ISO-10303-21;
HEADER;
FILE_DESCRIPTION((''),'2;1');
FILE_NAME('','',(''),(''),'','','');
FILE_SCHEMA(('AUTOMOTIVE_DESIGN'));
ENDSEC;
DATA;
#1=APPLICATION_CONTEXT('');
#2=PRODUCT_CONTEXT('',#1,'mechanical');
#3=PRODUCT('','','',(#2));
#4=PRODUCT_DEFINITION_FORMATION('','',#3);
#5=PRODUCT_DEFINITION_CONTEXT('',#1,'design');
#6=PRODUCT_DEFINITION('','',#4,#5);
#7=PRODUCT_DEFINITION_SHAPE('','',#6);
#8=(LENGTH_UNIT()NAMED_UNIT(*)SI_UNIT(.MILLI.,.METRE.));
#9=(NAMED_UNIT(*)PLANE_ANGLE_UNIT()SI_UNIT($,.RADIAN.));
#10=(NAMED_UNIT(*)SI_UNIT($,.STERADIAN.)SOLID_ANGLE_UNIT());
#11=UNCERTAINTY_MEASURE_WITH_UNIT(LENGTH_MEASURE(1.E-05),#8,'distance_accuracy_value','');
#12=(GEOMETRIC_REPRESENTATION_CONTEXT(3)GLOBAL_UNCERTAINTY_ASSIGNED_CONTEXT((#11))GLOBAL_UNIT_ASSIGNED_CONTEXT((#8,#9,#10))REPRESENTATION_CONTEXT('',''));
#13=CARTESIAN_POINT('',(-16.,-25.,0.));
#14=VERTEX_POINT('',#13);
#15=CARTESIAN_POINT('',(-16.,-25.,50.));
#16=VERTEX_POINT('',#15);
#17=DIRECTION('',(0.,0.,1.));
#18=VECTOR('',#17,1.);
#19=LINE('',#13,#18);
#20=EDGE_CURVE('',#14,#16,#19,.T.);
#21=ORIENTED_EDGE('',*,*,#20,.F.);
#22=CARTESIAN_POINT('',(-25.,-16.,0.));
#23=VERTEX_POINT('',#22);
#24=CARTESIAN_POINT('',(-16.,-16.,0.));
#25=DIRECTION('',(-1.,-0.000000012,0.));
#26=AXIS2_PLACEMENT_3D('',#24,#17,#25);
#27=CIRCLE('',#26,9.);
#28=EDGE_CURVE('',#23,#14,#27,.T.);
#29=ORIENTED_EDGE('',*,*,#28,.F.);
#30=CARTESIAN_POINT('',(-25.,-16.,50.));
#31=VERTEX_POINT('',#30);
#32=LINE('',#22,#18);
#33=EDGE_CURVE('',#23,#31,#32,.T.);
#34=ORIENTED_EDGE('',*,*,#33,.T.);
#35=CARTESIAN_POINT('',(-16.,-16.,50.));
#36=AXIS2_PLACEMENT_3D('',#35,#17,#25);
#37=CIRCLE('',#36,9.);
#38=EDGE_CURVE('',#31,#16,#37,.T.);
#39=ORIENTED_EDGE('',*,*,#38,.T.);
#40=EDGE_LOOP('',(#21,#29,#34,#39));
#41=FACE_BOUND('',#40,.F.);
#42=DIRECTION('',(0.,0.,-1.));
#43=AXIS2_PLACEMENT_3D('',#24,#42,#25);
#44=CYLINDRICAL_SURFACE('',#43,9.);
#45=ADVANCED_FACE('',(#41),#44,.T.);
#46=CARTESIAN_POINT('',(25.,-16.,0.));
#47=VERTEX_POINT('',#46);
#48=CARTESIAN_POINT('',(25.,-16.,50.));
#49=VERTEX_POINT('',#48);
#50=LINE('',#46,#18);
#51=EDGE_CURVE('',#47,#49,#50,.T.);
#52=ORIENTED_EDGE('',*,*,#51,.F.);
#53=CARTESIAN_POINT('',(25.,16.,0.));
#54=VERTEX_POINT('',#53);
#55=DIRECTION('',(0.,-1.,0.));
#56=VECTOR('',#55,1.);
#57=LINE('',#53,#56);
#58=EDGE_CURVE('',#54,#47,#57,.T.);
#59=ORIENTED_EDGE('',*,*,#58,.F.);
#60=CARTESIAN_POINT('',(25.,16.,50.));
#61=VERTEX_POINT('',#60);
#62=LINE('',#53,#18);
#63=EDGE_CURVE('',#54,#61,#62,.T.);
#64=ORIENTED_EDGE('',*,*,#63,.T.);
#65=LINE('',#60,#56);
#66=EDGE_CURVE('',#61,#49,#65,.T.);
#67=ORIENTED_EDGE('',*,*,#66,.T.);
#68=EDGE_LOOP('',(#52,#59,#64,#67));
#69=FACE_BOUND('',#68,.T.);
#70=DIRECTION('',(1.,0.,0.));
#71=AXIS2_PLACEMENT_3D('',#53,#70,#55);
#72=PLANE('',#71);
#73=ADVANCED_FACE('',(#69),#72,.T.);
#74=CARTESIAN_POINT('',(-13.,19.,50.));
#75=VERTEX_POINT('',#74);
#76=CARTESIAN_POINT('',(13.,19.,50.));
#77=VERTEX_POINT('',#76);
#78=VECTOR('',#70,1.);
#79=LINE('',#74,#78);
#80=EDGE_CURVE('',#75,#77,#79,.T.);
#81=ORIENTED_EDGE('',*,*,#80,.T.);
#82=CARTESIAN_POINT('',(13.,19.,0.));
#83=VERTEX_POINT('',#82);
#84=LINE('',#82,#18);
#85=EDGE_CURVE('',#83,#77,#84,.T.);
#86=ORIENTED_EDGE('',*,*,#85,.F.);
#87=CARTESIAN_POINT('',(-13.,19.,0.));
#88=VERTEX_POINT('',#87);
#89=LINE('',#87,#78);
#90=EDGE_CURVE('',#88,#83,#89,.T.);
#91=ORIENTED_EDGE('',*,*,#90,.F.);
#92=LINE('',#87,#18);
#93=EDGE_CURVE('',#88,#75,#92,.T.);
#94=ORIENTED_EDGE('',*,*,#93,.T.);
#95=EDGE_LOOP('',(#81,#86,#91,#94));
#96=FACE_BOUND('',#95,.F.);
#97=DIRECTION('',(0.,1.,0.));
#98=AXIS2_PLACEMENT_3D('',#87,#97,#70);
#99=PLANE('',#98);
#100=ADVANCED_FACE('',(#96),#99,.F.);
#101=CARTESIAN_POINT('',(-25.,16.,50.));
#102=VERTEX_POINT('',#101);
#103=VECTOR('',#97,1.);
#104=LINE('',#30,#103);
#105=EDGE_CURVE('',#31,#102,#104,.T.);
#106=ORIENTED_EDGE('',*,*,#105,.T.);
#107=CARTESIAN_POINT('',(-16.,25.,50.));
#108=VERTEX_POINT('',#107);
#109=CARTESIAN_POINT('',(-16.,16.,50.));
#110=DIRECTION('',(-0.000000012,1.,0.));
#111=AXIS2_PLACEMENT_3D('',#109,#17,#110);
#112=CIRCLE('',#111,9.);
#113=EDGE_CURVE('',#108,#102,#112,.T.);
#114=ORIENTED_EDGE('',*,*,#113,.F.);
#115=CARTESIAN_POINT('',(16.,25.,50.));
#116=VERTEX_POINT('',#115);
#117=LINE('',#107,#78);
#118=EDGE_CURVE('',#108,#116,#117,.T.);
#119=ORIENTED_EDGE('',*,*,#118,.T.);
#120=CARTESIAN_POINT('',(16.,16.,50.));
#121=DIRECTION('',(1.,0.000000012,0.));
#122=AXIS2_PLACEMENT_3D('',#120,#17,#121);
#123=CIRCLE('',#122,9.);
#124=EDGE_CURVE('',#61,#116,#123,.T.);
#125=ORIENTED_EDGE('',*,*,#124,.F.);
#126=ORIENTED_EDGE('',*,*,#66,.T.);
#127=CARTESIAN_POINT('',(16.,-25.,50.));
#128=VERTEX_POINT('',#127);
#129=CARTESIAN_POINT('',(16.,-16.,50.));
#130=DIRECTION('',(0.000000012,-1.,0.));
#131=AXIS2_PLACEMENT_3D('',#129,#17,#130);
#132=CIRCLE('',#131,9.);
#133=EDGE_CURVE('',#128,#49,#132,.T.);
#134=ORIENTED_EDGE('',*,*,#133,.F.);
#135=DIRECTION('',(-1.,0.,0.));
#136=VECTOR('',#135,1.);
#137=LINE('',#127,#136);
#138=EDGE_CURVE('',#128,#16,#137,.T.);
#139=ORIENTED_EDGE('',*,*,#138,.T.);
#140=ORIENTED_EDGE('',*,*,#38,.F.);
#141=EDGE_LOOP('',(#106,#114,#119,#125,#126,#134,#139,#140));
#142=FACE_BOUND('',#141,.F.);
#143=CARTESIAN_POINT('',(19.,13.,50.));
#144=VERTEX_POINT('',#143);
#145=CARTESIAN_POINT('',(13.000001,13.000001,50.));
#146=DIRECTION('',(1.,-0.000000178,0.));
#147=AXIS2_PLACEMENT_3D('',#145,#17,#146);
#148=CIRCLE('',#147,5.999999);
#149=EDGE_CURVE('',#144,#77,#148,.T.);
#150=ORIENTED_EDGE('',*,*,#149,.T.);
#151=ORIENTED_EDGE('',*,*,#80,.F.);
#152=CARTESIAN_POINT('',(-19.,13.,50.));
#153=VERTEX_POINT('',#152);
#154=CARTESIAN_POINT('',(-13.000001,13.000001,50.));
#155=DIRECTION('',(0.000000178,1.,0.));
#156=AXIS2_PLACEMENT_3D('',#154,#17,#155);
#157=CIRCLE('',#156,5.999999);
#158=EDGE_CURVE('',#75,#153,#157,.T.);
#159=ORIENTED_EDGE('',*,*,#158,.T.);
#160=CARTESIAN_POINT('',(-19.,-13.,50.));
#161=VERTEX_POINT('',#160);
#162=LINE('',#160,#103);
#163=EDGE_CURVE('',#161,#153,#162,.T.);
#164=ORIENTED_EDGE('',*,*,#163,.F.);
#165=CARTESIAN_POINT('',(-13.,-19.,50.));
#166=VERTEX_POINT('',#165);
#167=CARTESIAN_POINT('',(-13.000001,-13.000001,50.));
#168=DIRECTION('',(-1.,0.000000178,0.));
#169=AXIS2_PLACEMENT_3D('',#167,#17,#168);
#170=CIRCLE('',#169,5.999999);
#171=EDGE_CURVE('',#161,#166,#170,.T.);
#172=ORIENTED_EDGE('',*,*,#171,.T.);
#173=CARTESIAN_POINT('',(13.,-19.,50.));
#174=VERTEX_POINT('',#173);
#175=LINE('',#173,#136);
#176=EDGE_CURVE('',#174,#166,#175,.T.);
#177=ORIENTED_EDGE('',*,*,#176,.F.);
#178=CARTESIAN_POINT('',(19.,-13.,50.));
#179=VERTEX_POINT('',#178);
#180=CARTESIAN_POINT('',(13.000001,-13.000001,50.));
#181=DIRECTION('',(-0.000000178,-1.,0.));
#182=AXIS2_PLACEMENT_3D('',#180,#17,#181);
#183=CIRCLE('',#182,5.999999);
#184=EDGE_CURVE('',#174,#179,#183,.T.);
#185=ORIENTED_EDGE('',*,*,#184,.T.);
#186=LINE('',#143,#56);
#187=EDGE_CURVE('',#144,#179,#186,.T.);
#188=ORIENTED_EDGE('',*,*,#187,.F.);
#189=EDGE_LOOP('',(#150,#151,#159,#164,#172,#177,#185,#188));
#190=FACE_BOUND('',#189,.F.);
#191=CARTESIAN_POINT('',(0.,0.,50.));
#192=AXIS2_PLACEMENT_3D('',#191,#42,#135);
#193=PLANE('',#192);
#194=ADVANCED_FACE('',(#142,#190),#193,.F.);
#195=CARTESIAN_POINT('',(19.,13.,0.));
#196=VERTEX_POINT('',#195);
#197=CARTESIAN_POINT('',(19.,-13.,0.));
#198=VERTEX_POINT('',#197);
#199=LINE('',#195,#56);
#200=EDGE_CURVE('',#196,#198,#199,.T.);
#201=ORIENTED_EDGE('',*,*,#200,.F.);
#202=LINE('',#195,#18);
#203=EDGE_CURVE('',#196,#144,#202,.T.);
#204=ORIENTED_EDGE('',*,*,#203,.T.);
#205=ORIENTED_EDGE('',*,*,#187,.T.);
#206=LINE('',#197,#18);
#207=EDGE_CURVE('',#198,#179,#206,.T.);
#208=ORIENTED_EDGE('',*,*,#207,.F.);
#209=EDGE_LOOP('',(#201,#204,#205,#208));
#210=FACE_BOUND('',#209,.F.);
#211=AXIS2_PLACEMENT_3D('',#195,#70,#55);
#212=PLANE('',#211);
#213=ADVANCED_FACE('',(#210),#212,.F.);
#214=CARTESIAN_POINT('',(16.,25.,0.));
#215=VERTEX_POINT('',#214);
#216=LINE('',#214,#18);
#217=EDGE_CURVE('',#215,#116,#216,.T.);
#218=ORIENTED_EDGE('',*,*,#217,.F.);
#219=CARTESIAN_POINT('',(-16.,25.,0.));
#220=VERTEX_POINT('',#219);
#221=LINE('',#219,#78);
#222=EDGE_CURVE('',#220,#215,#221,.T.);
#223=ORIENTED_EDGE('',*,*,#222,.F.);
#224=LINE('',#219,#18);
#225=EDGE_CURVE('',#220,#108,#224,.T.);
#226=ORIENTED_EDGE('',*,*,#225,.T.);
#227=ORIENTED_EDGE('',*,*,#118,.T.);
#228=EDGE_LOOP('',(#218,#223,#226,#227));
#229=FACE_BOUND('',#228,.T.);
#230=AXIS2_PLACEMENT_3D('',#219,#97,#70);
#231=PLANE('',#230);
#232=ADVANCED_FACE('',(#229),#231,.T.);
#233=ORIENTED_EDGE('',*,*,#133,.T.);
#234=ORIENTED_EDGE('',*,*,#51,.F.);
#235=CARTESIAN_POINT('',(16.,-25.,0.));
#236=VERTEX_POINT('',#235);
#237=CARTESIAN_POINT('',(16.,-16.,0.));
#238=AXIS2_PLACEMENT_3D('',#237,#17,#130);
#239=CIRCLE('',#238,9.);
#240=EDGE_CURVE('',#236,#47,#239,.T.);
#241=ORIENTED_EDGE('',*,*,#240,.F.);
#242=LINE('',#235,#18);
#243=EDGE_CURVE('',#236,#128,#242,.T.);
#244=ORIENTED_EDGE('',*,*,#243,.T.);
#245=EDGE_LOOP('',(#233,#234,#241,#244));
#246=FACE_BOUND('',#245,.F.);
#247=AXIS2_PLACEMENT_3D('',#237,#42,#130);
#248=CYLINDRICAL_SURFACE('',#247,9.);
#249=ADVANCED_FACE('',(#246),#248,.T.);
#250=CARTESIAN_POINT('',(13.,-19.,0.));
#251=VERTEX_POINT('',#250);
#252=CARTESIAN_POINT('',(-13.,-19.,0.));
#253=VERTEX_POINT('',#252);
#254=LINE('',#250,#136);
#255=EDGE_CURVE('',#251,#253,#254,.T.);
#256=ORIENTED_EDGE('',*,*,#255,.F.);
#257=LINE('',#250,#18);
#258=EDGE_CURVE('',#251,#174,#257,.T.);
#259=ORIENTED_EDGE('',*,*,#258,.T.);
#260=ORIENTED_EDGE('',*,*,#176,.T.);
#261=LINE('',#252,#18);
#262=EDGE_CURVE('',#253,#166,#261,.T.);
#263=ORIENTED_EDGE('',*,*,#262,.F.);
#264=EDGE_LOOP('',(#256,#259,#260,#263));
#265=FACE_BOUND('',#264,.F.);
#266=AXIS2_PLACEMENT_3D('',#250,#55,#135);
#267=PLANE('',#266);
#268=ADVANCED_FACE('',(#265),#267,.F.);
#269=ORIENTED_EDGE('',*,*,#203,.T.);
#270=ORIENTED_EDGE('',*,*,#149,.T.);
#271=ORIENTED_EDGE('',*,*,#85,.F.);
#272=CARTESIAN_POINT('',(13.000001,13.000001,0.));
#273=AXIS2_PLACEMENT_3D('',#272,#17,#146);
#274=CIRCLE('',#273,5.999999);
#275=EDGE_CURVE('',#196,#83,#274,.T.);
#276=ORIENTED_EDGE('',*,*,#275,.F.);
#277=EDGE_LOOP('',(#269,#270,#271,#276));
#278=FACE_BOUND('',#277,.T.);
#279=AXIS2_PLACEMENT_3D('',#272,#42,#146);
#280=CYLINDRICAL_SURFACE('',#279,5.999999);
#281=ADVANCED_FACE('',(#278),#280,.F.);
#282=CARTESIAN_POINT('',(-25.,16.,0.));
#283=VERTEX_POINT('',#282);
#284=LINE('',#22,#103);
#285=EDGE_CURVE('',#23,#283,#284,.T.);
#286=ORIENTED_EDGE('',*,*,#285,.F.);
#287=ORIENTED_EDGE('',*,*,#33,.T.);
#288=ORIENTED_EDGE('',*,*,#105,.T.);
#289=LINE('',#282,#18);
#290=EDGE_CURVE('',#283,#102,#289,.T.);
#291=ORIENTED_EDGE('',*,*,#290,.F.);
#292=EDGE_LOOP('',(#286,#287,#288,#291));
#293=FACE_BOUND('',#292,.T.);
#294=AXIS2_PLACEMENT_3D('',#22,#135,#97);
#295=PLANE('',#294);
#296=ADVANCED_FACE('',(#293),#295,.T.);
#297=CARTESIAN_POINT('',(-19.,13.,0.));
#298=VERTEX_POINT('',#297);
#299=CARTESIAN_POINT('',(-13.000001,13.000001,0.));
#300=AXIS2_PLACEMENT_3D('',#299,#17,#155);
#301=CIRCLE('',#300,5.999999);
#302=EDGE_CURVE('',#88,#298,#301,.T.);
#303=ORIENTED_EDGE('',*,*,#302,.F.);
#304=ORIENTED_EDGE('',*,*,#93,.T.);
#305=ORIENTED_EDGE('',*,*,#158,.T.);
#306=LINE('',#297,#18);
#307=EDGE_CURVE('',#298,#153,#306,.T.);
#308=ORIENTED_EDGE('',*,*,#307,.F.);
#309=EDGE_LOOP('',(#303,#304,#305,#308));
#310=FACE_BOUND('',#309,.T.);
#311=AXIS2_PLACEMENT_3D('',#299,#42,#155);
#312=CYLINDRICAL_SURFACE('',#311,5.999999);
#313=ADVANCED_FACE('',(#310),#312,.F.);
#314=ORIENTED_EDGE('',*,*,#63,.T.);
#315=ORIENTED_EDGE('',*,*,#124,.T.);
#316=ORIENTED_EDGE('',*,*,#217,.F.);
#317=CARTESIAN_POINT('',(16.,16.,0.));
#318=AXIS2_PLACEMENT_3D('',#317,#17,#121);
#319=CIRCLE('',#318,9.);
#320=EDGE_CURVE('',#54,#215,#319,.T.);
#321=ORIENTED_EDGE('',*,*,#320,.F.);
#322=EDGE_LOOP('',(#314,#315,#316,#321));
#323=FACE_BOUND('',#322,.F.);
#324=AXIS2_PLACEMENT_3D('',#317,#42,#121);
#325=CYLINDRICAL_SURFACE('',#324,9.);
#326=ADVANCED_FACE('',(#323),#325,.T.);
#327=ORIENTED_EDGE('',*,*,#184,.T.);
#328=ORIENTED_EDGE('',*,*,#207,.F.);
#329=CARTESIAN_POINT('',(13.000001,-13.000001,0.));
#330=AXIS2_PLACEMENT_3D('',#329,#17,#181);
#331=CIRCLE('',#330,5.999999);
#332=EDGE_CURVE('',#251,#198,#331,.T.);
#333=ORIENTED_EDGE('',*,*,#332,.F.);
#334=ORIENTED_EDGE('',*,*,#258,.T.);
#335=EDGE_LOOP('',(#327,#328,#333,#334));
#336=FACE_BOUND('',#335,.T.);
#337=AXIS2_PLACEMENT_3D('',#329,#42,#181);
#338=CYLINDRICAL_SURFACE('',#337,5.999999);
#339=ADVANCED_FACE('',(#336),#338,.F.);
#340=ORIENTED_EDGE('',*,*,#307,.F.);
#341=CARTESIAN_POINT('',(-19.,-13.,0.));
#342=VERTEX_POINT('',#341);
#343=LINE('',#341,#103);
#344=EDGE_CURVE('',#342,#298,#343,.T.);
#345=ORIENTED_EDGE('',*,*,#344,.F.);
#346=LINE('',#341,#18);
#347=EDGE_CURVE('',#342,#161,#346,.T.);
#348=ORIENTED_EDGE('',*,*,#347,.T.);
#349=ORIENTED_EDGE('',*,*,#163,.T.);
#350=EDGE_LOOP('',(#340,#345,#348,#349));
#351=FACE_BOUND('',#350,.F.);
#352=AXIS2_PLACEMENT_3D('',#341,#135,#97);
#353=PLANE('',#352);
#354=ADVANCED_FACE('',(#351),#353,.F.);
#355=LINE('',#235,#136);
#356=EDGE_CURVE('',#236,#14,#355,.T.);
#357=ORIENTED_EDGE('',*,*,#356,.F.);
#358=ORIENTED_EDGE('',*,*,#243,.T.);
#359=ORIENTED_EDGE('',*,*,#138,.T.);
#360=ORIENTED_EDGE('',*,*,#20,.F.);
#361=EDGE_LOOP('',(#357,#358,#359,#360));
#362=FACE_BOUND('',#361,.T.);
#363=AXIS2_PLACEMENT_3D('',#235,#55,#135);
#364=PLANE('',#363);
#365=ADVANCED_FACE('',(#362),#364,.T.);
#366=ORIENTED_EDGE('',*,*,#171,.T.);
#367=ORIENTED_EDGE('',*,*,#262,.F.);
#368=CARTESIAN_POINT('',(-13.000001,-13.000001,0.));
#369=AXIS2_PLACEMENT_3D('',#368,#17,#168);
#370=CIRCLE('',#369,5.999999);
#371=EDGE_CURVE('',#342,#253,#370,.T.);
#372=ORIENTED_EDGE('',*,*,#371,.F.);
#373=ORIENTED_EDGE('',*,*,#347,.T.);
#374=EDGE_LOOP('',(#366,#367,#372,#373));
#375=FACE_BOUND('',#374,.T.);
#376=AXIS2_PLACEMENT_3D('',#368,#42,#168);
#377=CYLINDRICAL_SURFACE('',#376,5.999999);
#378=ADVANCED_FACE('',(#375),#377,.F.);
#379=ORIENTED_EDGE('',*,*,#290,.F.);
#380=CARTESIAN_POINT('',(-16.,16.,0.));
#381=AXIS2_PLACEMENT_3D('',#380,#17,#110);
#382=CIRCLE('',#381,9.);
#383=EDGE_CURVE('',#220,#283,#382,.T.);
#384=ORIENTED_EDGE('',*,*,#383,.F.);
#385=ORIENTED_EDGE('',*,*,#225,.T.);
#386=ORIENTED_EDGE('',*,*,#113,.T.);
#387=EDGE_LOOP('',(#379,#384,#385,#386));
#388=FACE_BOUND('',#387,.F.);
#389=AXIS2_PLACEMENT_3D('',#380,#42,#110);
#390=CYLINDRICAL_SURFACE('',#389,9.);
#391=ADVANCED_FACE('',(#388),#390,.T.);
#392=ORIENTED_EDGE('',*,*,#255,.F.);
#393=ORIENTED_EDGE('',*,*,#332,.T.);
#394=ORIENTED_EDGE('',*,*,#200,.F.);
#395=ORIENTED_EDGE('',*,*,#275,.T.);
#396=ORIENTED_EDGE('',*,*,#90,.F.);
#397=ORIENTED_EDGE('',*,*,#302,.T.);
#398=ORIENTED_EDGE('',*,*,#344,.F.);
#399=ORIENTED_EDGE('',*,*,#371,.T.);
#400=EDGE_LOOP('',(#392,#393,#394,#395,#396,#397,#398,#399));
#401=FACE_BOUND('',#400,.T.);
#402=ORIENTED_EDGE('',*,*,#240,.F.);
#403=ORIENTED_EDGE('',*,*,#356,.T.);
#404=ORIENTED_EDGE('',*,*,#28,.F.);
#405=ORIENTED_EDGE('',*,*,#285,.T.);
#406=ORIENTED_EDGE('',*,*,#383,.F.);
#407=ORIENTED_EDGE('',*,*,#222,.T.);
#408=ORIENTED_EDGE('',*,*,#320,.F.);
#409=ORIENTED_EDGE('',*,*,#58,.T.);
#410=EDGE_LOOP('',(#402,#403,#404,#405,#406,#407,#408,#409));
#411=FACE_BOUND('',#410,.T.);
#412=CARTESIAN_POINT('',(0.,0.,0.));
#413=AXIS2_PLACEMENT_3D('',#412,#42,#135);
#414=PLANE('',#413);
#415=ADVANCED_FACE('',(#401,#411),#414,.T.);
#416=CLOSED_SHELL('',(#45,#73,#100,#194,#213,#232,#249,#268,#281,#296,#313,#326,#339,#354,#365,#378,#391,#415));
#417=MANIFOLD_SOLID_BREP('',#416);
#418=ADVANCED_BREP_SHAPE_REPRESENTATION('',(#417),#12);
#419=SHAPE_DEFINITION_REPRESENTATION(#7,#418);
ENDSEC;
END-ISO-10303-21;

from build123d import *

# Parameters (mm, degrees)
EXTRUDE_DEPTH = 50


with BuildPart() as part:
    # Sketch → Extrude (new body)
    with BuildSketch(Plane.XY):
        with BuildLine():
            Line((-16, 25), (16, 25))
            ThreePointArc((25, 16), (22.363961, 22.363961), (16, 25))
            Line((25, 16), (25, -16))
            ThreePointArc((16, -25), (22.363961, -22.363961), (25, -16))
            Line((16, -25), (-16, -25))
            ThreePointArc((-25, -16), (-22.363961, -22.363961), (-16, -25))
            Line((-25, -16), (-25, 16))
            ThreePointArc((-16, 25), (-22.363961, 22.363961), (-25, 16))
        make_face()
        with BuildLine():
            Line((-13, 19), (13, 19))
            ThreePointArc((19, 13), (17.242641, 17.242641), (13, 19))
            Line((19, 13), (19, -13))
            ThreePointArc((13, -19), (17.242641, -17.242641), (19, -13))
            Line((13, -19), (-13, -19))
            ThreePointArc((-19, -13), (-17.242641, -17.242641), (-13, -19))
            Line((-19, -13), (-19, 13))
            ThreePointArc((-13, 19), (-17.242641, 17.242641), (-19, 13))
        make_face(mode=Mode.SUBTRACT)
    extrude(amount=EXTRUDE_DEPTH)


solid = part.part
